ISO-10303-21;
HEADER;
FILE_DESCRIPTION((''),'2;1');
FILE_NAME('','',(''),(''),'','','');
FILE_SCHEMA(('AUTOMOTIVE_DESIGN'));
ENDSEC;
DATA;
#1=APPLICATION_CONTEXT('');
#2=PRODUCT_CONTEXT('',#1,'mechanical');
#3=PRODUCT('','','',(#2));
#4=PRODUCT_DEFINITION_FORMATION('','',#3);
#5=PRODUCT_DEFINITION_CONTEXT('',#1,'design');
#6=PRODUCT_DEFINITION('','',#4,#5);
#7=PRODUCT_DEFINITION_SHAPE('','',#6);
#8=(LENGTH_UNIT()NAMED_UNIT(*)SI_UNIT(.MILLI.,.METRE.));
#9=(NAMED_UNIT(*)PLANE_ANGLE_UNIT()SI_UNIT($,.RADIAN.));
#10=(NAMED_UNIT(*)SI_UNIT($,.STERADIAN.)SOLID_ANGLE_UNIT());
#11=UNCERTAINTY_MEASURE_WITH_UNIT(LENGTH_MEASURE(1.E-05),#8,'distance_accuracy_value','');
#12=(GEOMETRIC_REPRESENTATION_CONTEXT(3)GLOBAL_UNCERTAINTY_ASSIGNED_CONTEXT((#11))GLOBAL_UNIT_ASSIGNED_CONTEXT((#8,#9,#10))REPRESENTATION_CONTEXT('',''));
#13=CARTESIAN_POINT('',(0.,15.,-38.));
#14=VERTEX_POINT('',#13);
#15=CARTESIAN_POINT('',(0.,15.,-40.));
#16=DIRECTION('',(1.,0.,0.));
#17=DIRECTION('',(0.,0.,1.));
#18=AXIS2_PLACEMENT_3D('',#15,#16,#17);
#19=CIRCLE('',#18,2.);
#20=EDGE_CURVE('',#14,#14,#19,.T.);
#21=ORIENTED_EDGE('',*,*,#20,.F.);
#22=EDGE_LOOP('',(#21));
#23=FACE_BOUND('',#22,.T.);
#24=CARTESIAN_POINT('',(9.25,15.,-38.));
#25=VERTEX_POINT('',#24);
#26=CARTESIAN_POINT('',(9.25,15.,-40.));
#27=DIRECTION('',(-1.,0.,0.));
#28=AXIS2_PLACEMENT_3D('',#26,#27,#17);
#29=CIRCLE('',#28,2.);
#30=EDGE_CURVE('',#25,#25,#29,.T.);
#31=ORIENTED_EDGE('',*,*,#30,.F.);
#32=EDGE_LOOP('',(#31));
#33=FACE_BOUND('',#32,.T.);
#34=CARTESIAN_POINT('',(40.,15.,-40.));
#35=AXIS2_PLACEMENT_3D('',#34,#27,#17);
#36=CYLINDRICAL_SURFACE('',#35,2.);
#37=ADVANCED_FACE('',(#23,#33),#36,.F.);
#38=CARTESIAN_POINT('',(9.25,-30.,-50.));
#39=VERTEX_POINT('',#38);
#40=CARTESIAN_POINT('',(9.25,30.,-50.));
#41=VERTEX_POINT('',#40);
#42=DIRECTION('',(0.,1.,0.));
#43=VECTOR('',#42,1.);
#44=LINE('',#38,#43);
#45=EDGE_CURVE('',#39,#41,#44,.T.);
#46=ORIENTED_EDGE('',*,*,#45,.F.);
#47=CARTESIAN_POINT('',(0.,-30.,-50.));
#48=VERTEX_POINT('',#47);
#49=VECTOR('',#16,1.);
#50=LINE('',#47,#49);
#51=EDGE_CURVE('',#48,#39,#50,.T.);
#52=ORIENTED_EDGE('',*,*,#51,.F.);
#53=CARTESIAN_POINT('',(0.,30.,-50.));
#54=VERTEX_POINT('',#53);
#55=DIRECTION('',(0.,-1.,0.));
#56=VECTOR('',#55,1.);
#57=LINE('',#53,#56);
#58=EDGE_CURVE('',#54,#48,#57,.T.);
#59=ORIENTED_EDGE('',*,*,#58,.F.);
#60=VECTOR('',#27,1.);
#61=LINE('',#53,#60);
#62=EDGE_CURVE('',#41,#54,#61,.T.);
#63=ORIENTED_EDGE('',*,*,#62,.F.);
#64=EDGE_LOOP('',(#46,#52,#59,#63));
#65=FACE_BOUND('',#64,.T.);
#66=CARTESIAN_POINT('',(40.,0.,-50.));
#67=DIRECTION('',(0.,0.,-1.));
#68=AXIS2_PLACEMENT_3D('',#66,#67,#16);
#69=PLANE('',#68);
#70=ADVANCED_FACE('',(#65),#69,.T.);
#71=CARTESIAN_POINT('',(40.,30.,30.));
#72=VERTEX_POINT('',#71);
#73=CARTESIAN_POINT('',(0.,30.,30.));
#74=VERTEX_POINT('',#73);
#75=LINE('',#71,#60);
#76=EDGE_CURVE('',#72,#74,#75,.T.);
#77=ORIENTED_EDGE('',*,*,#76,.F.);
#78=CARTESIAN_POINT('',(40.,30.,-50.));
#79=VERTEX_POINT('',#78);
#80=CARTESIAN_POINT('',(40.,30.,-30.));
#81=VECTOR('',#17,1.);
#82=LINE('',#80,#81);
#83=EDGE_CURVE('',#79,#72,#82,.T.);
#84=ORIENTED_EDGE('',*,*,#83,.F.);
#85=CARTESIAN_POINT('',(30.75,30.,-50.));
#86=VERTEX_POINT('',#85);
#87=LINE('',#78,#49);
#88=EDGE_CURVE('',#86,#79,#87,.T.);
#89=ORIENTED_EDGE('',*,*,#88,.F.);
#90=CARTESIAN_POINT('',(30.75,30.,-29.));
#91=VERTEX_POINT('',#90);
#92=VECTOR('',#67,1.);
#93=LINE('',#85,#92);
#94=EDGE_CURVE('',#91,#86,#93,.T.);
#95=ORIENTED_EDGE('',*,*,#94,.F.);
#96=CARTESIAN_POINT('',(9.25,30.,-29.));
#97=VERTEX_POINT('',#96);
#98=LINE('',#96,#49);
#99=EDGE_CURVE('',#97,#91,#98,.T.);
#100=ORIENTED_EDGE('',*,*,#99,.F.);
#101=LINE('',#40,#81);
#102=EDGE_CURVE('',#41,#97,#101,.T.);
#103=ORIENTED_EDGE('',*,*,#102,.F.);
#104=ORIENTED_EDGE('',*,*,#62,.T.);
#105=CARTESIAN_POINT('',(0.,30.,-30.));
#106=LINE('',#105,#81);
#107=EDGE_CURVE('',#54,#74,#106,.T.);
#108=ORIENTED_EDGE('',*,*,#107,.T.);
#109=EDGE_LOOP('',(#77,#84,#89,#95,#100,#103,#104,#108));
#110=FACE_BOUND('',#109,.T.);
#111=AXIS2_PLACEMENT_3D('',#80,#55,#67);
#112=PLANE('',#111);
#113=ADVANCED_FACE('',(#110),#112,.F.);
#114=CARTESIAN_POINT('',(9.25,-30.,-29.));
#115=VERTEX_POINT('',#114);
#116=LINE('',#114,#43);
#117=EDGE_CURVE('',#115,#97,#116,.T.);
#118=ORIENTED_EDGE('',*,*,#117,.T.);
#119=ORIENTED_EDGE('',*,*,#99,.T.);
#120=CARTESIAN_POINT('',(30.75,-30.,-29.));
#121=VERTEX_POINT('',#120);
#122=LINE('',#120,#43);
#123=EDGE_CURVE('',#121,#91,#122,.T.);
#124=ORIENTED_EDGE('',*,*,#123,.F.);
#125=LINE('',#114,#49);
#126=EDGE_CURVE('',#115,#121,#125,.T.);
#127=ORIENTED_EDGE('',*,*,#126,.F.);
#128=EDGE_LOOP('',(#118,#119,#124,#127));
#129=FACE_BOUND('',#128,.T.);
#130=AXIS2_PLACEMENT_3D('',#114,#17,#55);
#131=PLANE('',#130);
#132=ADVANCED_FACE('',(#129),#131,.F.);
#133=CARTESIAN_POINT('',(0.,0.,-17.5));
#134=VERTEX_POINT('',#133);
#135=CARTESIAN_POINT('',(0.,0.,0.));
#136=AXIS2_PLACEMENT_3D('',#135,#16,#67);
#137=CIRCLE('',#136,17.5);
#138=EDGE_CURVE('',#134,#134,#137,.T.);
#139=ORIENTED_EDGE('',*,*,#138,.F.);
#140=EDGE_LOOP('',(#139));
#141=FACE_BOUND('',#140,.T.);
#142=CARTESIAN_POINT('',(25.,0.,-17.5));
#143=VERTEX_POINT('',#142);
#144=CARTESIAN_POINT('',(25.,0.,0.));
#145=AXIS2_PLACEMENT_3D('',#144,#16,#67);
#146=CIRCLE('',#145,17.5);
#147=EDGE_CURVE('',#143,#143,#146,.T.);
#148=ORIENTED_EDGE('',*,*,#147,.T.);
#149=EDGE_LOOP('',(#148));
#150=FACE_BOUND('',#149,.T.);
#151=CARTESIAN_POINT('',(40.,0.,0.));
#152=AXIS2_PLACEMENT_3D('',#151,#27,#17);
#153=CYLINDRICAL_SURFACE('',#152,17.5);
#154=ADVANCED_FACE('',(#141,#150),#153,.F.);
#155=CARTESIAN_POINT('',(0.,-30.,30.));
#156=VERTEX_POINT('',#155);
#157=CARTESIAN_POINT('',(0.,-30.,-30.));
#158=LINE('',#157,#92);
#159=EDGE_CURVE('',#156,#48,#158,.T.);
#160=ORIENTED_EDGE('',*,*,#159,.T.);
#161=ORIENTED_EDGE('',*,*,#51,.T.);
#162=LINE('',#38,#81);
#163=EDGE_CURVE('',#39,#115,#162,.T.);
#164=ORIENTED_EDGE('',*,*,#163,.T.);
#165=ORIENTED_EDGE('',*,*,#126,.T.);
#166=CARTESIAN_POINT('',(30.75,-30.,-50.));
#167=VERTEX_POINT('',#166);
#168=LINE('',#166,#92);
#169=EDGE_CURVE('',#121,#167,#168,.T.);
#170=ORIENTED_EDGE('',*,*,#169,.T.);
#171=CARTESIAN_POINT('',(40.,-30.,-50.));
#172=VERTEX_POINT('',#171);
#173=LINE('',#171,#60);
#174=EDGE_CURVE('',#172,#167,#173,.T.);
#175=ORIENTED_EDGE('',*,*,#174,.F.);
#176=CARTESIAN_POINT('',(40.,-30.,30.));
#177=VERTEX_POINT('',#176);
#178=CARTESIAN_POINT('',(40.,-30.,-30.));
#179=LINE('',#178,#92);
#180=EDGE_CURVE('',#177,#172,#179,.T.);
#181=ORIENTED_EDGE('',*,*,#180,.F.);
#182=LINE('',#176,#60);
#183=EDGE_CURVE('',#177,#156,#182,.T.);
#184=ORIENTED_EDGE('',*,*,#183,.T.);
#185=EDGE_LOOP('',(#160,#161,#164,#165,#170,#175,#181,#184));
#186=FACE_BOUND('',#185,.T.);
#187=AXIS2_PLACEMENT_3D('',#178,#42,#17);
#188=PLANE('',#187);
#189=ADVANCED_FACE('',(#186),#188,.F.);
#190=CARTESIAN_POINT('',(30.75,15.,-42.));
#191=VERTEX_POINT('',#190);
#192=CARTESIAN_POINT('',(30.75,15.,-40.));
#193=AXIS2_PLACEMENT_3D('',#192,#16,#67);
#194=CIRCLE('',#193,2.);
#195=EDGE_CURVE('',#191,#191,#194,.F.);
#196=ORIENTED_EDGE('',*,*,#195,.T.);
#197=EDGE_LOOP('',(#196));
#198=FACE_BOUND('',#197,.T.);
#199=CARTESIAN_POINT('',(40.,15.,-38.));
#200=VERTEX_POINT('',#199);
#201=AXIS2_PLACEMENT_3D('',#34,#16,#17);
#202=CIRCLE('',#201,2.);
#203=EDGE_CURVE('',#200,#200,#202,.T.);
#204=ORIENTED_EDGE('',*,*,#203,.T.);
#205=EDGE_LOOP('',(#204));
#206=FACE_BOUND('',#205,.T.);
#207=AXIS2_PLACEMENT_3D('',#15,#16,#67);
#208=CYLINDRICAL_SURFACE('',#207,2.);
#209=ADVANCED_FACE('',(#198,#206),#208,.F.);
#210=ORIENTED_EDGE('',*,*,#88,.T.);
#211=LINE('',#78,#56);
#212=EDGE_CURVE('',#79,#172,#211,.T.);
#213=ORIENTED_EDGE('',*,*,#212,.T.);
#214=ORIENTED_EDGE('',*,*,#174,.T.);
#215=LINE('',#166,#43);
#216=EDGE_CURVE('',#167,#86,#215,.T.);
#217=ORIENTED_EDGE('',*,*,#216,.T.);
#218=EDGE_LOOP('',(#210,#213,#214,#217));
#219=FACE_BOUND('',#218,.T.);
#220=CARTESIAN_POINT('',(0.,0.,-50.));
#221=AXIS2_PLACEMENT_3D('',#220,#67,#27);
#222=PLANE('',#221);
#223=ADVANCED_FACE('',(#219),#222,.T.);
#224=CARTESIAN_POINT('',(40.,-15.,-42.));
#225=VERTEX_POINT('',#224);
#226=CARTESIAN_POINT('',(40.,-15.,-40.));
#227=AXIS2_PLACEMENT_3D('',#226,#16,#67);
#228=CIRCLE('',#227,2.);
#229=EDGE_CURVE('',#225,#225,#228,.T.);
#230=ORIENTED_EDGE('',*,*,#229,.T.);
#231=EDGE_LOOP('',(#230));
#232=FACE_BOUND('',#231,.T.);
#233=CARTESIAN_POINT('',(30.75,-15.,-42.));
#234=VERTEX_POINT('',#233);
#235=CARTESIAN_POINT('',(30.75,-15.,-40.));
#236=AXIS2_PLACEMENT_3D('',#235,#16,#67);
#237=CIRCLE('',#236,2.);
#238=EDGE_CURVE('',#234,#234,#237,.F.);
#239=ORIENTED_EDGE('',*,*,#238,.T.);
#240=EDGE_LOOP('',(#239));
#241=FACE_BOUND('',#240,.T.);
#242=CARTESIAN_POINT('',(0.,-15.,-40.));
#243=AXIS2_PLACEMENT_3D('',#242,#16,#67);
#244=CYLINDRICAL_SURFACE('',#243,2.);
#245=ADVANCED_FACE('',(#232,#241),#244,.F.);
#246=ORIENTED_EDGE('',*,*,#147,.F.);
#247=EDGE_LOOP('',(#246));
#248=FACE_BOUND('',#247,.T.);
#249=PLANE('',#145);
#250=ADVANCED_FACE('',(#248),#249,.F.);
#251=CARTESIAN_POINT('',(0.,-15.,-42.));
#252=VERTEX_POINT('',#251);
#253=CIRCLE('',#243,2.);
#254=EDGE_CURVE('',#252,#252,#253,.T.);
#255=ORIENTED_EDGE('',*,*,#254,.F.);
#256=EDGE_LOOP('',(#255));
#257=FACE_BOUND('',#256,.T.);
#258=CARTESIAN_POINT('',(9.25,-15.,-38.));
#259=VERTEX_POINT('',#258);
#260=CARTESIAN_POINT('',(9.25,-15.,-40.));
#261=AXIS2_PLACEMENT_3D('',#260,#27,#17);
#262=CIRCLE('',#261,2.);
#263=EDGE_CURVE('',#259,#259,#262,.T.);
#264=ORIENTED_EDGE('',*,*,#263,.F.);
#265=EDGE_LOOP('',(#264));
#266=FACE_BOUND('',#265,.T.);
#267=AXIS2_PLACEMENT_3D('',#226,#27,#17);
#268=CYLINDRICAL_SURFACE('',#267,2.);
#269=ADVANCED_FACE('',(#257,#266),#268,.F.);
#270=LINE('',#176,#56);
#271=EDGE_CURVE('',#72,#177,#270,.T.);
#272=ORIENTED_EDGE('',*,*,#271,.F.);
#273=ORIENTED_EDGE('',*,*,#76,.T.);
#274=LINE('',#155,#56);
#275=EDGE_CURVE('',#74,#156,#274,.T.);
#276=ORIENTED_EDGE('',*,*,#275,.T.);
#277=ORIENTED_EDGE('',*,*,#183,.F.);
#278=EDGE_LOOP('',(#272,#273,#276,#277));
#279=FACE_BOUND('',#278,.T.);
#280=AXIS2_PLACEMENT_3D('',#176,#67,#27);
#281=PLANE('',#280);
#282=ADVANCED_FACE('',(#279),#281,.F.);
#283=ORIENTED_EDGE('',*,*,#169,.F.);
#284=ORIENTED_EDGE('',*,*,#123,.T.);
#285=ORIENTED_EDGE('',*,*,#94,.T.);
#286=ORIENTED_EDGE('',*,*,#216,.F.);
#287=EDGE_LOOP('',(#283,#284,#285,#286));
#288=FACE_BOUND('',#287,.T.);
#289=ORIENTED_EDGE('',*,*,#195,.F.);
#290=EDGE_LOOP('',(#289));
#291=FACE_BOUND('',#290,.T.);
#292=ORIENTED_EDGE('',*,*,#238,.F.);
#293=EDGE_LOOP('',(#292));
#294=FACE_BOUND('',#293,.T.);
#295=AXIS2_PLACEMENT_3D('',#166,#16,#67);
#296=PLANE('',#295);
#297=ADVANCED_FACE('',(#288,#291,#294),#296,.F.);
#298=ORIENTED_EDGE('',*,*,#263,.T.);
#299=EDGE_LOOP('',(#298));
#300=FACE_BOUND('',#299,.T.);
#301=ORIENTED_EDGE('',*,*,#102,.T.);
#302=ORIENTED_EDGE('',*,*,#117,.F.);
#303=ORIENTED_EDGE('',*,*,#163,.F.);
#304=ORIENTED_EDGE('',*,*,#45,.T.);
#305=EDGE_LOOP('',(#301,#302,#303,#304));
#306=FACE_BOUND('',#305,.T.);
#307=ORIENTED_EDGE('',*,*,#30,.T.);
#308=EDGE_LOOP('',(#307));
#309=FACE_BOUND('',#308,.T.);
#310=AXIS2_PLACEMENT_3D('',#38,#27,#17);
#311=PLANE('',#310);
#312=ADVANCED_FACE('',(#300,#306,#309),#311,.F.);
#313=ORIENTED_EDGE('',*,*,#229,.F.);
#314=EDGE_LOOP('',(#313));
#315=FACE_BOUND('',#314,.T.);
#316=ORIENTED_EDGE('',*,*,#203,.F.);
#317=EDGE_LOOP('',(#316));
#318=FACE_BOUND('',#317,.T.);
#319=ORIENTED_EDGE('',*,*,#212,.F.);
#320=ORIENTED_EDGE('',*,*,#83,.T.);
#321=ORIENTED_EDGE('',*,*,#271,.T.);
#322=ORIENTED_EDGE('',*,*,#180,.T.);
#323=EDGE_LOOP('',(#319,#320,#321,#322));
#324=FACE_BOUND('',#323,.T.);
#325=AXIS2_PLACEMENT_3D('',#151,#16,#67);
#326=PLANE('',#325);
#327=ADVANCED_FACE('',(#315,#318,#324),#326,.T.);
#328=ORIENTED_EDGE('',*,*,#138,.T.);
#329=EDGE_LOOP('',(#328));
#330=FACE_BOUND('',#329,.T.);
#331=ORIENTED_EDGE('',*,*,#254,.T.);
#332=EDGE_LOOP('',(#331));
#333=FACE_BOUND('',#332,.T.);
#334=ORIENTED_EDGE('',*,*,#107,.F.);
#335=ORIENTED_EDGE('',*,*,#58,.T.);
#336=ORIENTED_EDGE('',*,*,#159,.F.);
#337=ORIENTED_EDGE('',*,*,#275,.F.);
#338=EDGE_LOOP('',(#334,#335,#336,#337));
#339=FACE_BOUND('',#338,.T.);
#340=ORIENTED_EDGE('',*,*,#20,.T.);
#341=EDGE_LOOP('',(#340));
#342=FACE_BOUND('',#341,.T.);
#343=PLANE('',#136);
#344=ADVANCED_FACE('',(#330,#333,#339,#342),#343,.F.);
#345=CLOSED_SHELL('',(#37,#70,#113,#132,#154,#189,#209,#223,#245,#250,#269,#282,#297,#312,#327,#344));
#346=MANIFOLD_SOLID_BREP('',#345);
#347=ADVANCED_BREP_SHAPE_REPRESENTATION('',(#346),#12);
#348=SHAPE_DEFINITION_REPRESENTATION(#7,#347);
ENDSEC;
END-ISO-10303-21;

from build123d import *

# Parameters (mm, degrees)
SKETCH1_W           = 60
SKETCH1_H           = 60
SKETCH1_R           = 17.5
BOSS_EXTRUDE1_DEPTH = 40
SKETCH4_W           = 10
SKETCH4_H           = 60
BOSS_EXTRUDE2_DEPTH = 20
SKETCH5_R           = 2
CUT_EXTRUDE1_DEPTH  = 71.710678119
BOSS_EXTRUDE3_START = -15
SKETCH6_R           = 17.5
BOSS_EXTRUDE3_DEPTH = 15
SKETCH7_W           = 21.5
SKETCH7_H           = 21
CUT_EXTRUDE2_DEPTH  = 88.749643874


with BuildPart() as part:
    # Sketch1 → Boss-Extrude1 (new body)
    with BuildSketch(Plane(origin=(0, 0, 0), x_dir=(0, 0, -1), z_dir=(1, 0, 0))):
        Rectangle(SKETCH1_W, SKETCH1_H)
        Circle(SKETCH1_R, mode=Mode.SUBTRACT)
    extrude(amount=BOSS_EXTRUDE1_DEPTH)

    # Sketch4 → Boss-Extrude2 (add)
    with BuildSketch(Plane(origin=(0, 0, -30), x_dir=(-1, 0, 0), z_dir=(0, 0, -1))):
        with Locations((-35, 0)):
            Rectangle(SKETCH4_W, SKETCH4_H)
    boss_extrude2 = extrude(amount=BOSS_EXTRUDE2_DEPTH)

    # Sketch5 → Cut-Extrude1 (cut, through all)
    with BuildSketch(Plane(origin=(40, 0, 0), x_dir=(0, 0, -1), z_dir=(1, 0, 0))):
        with Locations((40, -15)):
            Circle(SKETCH5_R)
        with Locations(Location((40, 15, 0), (0, 0, 90))):
            Circle(SKETCH5_R)
    cut_extrude1 = extrude(amount=-CUT_EXTRUDE1_DEPTH, mode=Mode.SUBTRACT)

    # Mirror1: Boss-Extrude2, Cut-Extrude1 across plane
    add(boss_extrude2.mirror(Plane(origin=(20, 0, 0), x_dir=(0, 0, 1), z_dir=(1, 0, 0))))
    add(cut_extrude1.mirror(Plane(origin=(20, 0, 0), x_dir=(0, 0, 1), z_dir=(1, 0, 0))), mode=Mode.SUBTRACT)

    # Sketch6 → Boss-Extrude3 (add)
    with BuildSketch(Plane(origin=(40, 0, 0), x_dir=(0, 0, -1), z_dir=(1, 0, 0)).offset(BOSS_EXTRUDE3_START)):
        Circle(SKETCH6_R)
    extrude(amount=BOSS_EXTRUDE3_DEPTH)

    # Sketch7 → Cut-Extrude2 (cut, through all)
    with BuildSketch(Plane(origin=(0, 30, 0), x_dir=(1, 0, 0), z_dir=(0, 1, 0))):
        with Locations((20, 39.5)):
            Rectangle(SKETCH7_W, SKETCH7_H)
    extrude(amount=-CUT_EXTRUDE2_DEPTH, mode=Mode.SUBTRACT)


solid = part.part
